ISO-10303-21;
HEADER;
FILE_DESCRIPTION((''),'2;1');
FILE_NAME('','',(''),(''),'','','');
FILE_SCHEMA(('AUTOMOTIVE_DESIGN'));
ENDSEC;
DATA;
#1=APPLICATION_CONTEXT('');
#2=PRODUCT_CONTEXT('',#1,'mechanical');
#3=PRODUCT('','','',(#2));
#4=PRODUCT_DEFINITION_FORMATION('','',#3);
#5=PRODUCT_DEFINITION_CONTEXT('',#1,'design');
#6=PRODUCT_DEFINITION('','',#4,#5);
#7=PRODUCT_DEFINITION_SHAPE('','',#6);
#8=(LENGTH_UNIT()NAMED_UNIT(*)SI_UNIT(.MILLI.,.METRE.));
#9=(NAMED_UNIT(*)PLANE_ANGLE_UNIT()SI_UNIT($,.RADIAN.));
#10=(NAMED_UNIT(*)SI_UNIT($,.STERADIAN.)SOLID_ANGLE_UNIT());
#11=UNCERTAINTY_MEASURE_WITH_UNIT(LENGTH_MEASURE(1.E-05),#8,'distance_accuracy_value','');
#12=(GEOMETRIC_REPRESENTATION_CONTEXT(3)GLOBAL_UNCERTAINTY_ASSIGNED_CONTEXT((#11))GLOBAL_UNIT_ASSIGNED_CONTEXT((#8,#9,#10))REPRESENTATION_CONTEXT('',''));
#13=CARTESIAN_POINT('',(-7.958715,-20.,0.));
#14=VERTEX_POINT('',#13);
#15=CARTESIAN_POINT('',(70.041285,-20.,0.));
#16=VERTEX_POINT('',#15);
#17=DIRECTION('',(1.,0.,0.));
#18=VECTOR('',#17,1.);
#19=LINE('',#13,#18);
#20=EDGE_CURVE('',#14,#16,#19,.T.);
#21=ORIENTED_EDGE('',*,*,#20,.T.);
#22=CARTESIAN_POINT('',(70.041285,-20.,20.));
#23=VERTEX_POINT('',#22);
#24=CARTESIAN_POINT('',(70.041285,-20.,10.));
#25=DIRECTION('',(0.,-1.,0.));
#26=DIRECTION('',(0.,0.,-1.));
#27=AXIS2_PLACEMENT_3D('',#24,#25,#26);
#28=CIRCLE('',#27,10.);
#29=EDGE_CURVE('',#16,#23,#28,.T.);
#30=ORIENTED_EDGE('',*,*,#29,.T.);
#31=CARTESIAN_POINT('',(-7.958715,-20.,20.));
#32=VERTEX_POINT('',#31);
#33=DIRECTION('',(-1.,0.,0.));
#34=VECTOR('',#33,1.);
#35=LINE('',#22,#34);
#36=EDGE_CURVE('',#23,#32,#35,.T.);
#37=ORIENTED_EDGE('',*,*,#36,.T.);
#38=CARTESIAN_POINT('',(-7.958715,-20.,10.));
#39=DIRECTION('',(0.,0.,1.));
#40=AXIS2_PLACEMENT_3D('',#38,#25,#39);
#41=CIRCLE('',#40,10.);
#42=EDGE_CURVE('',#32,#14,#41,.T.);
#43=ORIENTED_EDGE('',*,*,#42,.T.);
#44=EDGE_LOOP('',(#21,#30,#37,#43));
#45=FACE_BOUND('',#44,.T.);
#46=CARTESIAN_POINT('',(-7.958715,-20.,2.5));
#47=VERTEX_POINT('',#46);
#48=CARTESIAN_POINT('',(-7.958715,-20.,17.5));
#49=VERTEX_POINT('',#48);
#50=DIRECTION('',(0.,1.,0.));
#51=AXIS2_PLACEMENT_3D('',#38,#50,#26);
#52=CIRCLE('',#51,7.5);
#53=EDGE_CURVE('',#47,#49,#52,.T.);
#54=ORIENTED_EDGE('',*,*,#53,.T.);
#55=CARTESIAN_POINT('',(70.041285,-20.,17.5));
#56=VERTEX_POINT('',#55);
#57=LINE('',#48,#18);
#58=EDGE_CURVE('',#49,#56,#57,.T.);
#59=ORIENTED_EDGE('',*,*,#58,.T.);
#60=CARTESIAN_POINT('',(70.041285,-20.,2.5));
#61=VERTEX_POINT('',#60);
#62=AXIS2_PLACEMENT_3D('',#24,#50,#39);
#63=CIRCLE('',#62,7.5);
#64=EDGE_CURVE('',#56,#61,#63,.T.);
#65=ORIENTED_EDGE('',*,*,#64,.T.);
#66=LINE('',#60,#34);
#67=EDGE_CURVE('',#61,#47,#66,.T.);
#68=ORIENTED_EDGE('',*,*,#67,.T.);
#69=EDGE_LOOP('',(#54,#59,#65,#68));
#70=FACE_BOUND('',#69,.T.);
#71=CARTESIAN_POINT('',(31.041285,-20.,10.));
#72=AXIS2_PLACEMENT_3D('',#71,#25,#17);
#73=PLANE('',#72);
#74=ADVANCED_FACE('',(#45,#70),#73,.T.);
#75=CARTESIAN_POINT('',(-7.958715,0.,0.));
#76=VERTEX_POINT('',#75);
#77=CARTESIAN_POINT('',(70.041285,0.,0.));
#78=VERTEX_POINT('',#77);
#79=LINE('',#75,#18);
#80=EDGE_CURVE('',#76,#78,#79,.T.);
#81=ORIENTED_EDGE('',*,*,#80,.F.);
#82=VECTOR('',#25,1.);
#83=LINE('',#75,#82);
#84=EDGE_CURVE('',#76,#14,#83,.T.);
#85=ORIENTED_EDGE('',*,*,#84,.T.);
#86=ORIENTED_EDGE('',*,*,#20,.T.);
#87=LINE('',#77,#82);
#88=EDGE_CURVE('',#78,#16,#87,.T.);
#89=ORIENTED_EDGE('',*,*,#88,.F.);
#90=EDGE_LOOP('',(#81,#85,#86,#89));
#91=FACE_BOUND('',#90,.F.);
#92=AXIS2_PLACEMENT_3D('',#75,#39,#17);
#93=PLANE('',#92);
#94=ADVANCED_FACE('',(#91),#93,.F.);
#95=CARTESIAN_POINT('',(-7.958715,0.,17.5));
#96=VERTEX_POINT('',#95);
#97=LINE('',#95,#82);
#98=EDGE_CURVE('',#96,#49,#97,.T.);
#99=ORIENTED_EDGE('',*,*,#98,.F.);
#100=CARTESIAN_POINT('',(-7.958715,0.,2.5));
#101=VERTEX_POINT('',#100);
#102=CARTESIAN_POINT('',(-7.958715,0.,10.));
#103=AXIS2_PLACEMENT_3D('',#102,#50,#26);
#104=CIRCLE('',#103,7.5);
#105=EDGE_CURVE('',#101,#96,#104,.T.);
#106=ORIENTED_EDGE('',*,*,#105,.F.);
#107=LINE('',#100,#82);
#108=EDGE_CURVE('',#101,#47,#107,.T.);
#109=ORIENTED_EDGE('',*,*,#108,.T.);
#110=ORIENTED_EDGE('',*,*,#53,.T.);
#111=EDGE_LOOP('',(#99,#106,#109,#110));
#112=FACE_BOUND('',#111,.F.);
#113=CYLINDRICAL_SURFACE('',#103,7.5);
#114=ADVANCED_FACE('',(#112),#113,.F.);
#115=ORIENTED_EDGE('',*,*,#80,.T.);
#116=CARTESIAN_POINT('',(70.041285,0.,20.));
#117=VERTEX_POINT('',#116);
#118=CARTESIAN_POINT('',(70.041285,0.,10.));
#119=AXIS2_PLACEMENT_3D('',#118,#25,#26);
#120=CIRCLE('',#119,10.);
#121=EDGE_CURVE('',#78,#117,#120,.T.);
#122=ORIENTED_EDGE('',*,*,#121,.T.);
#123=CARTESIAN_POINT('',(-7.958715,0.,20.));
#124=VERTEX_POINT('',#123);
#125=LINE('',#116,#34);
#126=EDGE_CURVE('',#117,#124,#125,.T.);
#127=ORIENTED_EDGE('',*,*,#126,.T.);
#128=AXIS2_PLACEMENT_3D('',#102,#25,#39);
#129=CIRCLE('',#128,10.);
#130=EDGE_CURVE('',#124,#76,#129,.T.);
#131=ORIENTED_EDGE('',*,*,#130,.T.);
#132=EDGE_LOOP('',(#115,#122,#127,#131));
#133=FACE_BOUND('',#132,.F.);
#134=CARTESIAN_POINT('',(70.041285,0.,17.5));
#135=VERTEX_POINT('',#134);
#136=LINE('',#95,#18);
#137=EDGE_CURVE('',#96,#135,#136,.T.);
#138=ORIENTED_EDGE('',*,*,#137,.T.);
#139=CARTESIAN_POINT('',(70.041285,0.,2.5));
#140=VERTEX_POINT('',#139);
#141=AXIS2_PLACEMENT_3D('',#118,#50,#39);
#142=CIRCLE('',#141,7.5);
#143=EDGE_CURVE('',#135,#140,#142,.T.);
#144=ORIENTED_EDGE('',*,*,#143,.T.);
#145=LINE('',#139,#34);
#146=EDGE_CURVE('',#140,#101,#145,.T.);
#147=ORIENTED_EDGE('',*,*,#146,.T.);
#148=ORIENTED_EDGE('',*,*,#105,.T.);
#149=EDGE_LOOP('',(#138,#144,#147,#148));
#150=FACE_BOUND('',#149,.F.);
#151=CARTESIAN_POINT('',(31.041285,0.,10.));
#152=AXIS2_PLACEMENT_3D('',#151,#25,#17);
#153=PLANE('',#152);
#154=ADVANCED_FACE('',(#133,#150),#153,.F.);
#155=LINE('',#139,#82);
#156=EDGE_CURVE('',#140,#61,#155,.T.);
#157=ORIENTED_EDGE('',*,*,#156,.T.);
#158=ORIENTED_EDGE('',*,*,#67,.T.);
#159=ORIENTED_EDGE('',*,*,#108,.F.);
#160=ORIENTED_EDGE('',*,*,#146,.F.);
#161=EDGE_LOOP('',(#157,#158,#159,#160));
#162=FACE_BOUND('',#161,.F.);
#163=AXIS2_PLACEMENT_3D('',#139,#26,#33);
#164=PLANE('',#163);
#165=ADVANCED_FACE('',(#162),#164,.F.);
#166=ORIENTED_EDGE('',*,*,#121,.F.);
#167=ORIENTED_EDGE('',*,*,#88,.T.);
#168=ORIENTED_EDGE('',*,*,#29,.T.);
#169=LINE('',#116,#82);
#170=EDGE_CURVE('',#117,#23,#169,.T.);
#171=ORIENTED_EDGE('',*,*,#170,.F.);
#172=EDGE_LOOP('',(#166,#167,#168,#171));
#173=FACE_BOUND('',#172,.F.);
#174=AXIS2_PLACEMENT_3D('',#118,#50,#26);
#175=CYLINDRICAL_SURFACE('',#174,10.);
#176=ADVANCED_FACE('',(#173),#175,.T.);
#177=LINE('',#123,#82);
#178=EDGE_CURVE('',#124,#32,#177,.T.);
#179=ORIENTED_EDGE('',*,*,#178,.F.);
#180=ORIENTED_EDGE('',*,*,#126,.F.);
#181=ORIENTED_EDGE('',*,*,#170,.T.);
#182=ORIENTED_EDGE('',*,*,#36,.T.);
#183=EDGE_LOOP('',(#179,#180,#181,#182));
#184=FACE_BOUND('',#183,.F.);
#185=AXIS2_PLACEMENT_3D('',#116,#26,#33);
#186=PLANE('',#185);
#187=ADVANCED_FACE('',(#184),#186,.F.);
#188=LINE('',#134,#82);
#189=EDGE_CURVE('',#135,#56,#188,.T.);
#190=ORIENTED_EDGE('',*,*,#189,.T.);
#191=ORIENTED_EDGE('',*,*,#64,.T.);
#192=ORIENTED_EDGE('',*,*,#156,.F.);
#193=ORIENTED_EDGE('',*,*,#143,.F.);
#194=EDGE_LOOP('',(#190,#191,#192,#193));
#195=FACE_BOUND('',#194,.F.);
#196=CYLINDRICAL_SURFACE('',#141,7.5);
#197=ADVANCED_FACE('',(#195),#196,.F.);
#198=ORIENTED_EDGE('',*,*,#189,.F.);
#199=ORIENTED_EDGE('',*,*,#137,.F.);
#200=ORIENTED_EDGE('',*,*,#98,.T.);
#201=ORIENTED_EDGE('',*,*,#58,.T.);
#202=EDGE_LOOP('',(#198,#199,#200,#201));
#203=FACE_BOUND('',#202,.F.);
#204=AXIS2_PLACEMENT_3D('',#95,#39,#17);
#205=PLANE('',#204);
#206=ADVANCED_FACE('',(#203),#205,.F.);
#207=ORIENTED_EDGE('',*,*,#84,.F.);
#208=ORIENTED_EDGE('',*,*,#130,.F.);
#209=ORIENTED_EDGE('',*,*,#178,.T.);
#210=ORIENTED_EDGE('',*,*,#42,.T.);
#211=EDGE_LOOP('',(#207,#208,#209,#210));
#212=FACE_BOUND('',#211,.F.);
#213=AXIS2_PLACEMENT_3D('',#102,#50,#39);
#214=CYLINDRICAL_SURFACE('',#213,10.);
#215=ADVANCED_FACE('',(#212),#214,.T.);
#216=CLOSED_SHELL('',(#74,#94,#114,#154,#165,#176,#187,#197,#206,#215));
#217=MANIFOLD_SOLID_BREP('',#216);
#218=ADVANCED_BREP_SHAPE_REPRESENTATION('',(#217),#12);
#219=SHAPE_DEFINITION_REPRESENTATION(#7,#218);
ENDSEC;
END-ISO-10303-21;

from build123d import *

# Parameters (mm, degrees)
F1_DEPTH = 20


with BuildPart() as f1:
    # F0 (on Front) → F1 (new body)
    with BuildSketch(Plane.XZ):
        with BuildLine():
            ThreePointArc((-7.958715, 20), (-17.958715, 10), (-7.958715, 0))
            Line((-7.958715, 0), (70.041285, 0))
            ThreePointArc((70.041285, 0), (80.041285, 10), (70.041285, 20))
            Line((70.041285, 20), (-7.958715, 20))
        make_face()
        with BuildLine():
            ThreePointArc((70.041285, 17.5), (77.541285, 10), (70.041285, 2.5))
            Line((70.041285, 2.5), (-7.958715, 2.5))
            ThreePointArc((-7.958715, 2.5), (-15.458715, 10), (-7.958715, 17.5))
            Line((-7.958715, 17.5), (70.041285, 17.5))
        make_face(mode=Mode.SUBTRACT)
    extrude(amount=F1_DEPTH)


solid = f1.part
